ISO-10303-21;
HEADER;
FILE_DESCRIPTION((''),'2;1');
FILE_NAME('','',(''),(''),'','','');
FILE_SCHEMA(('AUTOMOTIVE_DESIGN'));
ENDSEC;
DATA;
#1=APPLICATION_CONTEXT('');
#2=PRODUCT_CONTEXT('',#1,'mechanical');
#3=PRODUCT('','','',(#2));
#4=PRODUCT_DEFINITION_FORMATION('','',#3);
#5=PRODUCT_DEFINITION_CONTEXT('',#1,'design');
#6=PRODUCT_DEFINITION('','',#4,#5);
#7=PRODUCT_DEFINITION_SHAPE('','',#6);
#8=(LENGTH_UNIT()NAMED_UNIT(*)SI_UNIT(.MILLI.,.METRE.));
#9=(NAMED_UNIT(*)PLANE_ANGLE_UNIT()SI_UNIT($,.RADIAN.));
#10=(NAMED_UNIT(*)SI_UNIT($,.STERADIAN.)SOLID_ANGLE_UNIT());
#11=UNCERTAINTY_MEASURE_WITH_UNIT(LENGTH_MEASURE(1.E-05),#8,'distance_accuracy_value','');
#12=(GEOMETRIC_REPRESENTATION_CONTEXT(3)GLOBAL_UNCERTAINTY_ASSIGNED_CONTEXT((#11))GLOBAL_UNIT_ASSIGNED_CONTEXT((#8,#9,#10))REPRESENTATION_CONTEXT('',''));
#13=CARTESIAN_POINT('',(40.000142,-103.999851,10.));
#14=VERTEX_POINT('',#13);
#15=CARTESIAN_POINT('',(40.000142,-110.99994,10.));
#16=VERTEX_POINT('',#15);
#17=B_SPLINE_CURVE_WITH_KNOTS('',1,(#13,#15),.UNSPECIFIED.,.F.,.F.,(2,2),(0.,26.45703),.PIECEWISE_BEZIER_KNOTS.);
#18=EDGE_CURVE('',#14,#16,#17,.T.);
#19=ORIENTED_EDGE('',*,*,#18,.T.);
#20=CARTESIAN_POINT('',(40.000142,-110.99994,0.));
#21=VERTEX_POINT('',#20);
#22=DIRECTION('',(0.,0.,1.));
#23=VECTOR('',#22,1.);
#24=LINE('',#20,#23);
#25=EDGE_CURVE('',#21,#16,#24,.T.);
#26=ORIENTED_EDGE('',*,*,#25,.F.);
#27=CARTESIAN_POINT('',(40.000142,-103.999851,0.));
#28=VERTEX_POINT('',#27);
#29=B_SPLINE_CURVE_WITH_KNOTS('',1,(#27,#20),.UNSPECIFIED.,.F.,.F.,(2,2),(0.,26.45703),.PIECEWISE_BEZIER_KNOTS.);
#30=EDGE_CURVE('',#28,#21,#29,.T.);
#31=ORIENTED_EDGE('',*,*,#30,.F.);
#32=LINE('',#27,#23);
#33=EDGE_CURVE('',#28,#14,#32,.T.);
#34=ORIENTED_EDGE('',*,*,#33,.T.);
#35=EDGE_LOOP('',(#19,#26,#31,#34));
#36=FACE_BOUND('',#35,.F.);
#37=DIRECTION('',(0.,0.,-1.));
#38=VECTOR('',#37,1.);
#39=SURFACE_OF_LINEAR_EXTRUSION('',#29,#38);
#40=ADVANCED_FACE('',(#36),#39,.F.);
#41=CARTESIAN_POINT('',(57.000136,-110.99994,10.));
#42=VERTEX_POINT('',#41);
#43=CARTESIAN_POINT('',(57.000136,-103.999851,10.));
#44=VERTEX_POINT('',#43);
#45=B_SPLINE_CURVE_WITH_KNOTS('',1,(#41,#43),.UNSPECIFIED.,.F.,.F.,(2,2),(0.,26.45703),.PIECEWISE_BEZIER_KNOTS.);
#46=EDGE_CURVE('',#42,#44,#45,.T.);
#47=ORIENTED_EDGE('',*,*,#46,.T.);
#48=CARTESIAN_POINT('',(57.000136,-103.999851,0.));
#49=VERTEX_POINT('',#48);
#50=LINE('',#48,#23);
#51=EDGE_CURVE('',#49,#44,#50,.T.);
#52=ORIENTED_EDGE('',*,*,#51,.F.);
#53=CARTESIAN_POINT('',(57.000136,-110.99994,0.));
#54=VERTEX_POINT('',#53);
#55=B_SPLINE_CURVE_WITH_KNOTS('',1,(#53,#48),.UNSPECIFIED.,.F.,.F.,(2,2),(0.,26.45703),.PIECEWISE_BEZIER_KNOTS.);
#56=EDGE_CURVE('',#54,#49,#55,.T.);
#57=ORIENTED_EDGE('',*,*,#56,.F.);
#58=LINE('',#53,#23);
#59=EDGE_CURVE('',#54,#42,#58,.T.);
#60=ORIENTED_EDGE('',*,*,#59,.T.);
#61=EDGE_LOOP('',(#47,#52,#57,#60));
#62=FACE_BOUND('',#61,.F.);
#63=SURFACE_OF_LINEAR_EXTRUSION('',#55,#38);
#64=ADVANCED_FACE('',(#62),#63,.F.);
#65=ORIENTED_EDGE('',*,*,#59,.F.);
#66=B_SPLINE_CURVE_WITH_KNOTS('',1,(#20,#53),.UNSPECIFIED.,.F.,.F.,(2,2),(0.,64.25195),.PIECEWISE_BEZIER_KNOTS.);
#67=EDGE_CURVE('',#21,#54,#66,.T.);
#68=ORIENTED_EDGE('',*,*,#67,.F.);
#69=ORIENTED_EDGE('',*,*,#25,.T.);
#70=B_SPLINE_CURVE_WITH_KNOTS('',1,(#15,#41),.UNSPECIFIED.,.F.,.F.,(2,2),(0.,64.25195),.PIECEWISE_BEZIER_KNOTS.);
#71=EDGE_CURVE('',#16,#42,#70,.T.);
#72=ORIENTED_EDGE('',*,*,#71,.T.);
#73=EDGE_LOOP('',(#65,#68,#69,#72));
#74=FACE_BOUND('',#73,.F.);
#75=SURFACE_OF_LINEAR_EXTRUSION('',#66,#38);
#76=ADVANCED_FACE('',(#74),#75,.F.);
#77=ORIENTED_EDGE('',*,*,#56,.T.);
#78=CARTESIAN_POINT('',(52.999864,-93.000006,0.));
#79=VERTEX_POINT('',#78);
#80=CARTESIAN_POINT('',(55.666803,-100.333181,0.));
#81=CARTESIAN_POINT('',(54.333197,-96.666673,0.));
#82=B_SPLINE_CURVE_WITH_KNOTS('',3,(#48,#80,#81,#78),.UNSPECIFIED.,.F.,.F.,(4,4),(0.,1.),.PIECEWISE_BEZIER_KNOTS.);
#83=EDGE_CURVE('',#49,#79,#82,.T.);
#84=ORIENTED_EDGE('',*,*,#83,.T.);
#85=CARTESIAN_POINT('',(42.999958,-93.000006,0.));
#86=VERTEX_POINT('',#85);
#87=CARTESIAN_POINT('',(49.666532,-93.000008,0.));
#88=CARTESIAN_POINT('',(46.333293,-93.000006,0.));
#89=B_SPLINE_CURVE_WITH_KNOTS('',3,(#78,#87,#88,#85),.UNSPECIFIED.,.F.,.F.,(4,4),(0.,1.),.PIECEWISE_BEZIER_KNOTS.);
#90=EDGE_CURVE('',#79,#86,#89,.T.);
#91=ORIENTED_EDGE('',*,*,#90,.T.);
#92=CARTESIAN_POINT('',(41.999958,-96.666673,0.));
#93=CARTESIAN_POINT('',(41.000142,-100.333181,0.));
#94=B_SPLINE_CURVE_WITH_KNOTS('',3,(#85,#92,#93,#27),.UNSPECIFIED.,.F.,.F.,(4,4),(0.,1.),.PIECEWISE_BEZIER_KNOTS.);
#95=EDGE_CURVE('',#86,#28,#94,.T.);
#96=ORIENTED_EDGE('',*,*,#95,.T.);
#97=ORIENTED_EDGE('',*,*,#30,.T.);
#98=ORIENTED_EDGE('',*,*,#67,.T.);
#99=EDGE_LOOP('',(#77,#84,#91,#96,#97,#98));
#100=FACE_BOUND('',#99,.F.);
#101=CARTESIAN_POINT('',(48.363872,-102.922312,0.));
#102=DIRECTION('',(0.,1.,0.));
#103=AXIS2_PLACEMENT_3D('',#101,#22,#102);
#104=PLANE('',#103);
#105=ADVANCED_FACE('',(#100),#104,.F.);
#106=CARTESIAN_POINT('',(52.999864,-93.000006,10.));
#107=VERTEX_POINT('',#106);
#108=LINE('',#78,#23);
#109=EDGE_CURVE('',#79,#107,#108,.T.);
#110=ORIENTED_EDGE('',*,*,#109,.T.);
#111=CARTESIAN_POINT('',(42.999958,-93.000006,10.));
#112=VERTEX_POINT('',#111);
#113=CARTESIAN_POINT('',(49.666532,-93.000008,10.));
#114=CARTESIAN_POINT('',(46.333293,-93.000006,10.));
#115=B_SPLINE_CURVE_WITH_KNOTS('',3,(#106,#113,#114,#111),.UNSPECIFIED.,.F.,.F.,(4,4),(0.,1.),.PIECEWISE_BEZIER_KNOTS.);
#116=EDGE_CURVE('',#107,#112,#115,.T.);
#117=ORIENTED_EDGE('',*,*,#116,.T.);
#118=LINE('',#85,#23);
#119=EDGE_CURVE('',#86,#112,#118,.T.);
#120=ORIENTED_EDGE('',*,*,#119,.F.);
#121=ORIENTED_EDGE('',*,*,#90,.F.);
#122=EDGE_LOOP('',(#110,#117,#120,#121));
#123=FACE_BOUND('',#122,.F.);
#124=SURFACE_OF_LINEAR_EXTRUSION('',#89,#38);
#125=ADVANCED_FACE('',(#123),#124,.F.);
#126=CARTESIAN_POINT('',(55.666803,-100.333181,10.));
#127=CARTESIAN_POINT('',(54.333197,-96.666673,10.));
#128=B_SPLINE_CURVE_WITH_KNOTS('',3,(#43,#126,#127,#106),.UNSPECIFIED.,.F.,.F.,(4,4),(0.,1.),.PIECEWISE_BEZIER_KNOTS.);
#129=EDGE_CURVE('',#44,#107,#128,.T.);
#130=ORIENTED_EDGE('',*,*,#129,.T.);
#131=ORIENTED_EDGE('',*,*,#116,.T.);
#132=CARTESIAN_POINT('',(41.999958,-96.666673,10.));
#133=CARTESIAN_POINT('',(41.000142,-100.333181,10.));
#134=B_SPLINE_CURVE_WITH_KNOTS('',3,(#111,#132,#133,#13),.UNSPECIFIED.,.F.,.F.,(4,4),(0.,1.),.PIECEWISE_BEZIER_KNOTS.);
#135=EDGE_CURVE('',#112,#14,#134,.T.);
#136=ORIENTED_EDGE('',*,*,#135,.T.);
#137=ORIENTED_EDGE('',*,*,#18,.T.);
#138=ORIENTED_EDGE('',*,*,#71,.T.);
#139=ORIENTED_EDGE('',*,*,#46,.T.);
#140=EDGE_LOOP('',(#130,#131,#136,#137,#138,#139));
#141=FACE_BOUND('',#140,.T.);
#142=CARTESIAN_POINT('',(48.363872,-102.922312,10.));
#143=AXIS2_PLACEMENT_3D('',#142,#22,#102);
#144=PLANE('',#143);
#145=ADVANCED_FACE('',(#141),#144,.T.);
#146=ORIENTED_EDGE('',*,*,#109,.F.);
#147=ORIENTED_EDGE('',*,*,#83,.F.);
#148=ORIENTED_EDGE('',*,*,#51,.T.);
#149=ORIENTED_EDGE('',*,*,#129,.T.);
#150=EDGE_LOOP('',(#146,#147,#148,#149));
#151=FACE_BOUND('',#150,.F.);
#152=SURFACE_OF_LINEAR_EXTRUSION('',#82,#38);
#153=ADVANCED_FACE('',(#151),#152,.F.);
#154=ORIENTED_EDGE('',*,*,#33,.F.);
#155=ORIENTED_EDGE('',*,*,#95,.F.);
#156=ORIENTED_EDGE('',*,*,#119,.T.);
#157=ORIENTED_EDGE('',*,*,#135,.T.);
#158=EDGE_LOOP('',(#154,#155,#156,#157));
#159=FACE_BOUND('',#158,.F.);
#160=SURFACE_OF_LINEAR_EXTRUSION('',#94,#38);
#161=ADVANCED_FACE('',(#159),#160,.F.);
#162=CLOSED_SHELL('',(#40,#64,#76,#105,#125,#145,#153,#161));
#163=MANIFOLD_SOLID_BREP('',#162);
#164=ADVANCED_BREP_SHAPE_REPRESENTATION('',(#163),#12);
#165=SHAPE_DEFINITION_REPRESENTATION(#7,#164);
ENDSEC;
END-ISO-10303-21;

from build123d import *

# Parameters (mm, degrees)
EXTRUDE_DEPTH = 10


with BuildPart() as part:
    # path6074 → Extrude (new body)
    with BuildSketch(Plane(origin=(48.500139, -101.999973, 0), x_dir=(0, 1, 0), z_dir=(0, 0, 1))):
        with BuildLine():
            add(Edge.make_bspline(
                [(8.999967, 5.500181), (5.3333, 6.500181), (1.666792, 7.499997), (-1.999878, 8.499997)],
                knots=[0, 0, 0, 0, 1, 1, 1, 1], degree=3))
            add(Edge.make_bspline(
                [(-1.999878, 8.499997), (-8.999967, 8.499997)],
                knots=[0, 0, 26.45703, 26.45703], degree=1))
            add(Edge.make_bspline(
                [(-8.999967, 8.499997), (-8.999967, -8.499997)],
                knots=[0, 0, 64.25195, 64.25195], degree=1))
            add(Edge.make_bspline(
                [(-8.999967, -8.499997), (-1.999878, -8.499997)],
                knots=[0, 0, 26.45703, 26.45703], degree=1))
            add(Edge.make_bspline(
                [(-1.999878, -8.499997), (1.666792, -7.166664), (5.3333, -5.833058), (8.999967, -4.499725)],
                knots=[0, 0, 0, 0, 1, 1, 1, 1], degree=3))
            add(Edge.make_bspline(
                [(8.999967, -4.499725), (8.999965, -1.166393), (8.999967, 2.166846), (8.999967, 5.500181)],
                knots=[0, 0, 0, 0, 1, 1, 1, 1], degree=3))
        make_face()
    extrude(amount=EXTRUDE_DEPTH)


solid = part.part
